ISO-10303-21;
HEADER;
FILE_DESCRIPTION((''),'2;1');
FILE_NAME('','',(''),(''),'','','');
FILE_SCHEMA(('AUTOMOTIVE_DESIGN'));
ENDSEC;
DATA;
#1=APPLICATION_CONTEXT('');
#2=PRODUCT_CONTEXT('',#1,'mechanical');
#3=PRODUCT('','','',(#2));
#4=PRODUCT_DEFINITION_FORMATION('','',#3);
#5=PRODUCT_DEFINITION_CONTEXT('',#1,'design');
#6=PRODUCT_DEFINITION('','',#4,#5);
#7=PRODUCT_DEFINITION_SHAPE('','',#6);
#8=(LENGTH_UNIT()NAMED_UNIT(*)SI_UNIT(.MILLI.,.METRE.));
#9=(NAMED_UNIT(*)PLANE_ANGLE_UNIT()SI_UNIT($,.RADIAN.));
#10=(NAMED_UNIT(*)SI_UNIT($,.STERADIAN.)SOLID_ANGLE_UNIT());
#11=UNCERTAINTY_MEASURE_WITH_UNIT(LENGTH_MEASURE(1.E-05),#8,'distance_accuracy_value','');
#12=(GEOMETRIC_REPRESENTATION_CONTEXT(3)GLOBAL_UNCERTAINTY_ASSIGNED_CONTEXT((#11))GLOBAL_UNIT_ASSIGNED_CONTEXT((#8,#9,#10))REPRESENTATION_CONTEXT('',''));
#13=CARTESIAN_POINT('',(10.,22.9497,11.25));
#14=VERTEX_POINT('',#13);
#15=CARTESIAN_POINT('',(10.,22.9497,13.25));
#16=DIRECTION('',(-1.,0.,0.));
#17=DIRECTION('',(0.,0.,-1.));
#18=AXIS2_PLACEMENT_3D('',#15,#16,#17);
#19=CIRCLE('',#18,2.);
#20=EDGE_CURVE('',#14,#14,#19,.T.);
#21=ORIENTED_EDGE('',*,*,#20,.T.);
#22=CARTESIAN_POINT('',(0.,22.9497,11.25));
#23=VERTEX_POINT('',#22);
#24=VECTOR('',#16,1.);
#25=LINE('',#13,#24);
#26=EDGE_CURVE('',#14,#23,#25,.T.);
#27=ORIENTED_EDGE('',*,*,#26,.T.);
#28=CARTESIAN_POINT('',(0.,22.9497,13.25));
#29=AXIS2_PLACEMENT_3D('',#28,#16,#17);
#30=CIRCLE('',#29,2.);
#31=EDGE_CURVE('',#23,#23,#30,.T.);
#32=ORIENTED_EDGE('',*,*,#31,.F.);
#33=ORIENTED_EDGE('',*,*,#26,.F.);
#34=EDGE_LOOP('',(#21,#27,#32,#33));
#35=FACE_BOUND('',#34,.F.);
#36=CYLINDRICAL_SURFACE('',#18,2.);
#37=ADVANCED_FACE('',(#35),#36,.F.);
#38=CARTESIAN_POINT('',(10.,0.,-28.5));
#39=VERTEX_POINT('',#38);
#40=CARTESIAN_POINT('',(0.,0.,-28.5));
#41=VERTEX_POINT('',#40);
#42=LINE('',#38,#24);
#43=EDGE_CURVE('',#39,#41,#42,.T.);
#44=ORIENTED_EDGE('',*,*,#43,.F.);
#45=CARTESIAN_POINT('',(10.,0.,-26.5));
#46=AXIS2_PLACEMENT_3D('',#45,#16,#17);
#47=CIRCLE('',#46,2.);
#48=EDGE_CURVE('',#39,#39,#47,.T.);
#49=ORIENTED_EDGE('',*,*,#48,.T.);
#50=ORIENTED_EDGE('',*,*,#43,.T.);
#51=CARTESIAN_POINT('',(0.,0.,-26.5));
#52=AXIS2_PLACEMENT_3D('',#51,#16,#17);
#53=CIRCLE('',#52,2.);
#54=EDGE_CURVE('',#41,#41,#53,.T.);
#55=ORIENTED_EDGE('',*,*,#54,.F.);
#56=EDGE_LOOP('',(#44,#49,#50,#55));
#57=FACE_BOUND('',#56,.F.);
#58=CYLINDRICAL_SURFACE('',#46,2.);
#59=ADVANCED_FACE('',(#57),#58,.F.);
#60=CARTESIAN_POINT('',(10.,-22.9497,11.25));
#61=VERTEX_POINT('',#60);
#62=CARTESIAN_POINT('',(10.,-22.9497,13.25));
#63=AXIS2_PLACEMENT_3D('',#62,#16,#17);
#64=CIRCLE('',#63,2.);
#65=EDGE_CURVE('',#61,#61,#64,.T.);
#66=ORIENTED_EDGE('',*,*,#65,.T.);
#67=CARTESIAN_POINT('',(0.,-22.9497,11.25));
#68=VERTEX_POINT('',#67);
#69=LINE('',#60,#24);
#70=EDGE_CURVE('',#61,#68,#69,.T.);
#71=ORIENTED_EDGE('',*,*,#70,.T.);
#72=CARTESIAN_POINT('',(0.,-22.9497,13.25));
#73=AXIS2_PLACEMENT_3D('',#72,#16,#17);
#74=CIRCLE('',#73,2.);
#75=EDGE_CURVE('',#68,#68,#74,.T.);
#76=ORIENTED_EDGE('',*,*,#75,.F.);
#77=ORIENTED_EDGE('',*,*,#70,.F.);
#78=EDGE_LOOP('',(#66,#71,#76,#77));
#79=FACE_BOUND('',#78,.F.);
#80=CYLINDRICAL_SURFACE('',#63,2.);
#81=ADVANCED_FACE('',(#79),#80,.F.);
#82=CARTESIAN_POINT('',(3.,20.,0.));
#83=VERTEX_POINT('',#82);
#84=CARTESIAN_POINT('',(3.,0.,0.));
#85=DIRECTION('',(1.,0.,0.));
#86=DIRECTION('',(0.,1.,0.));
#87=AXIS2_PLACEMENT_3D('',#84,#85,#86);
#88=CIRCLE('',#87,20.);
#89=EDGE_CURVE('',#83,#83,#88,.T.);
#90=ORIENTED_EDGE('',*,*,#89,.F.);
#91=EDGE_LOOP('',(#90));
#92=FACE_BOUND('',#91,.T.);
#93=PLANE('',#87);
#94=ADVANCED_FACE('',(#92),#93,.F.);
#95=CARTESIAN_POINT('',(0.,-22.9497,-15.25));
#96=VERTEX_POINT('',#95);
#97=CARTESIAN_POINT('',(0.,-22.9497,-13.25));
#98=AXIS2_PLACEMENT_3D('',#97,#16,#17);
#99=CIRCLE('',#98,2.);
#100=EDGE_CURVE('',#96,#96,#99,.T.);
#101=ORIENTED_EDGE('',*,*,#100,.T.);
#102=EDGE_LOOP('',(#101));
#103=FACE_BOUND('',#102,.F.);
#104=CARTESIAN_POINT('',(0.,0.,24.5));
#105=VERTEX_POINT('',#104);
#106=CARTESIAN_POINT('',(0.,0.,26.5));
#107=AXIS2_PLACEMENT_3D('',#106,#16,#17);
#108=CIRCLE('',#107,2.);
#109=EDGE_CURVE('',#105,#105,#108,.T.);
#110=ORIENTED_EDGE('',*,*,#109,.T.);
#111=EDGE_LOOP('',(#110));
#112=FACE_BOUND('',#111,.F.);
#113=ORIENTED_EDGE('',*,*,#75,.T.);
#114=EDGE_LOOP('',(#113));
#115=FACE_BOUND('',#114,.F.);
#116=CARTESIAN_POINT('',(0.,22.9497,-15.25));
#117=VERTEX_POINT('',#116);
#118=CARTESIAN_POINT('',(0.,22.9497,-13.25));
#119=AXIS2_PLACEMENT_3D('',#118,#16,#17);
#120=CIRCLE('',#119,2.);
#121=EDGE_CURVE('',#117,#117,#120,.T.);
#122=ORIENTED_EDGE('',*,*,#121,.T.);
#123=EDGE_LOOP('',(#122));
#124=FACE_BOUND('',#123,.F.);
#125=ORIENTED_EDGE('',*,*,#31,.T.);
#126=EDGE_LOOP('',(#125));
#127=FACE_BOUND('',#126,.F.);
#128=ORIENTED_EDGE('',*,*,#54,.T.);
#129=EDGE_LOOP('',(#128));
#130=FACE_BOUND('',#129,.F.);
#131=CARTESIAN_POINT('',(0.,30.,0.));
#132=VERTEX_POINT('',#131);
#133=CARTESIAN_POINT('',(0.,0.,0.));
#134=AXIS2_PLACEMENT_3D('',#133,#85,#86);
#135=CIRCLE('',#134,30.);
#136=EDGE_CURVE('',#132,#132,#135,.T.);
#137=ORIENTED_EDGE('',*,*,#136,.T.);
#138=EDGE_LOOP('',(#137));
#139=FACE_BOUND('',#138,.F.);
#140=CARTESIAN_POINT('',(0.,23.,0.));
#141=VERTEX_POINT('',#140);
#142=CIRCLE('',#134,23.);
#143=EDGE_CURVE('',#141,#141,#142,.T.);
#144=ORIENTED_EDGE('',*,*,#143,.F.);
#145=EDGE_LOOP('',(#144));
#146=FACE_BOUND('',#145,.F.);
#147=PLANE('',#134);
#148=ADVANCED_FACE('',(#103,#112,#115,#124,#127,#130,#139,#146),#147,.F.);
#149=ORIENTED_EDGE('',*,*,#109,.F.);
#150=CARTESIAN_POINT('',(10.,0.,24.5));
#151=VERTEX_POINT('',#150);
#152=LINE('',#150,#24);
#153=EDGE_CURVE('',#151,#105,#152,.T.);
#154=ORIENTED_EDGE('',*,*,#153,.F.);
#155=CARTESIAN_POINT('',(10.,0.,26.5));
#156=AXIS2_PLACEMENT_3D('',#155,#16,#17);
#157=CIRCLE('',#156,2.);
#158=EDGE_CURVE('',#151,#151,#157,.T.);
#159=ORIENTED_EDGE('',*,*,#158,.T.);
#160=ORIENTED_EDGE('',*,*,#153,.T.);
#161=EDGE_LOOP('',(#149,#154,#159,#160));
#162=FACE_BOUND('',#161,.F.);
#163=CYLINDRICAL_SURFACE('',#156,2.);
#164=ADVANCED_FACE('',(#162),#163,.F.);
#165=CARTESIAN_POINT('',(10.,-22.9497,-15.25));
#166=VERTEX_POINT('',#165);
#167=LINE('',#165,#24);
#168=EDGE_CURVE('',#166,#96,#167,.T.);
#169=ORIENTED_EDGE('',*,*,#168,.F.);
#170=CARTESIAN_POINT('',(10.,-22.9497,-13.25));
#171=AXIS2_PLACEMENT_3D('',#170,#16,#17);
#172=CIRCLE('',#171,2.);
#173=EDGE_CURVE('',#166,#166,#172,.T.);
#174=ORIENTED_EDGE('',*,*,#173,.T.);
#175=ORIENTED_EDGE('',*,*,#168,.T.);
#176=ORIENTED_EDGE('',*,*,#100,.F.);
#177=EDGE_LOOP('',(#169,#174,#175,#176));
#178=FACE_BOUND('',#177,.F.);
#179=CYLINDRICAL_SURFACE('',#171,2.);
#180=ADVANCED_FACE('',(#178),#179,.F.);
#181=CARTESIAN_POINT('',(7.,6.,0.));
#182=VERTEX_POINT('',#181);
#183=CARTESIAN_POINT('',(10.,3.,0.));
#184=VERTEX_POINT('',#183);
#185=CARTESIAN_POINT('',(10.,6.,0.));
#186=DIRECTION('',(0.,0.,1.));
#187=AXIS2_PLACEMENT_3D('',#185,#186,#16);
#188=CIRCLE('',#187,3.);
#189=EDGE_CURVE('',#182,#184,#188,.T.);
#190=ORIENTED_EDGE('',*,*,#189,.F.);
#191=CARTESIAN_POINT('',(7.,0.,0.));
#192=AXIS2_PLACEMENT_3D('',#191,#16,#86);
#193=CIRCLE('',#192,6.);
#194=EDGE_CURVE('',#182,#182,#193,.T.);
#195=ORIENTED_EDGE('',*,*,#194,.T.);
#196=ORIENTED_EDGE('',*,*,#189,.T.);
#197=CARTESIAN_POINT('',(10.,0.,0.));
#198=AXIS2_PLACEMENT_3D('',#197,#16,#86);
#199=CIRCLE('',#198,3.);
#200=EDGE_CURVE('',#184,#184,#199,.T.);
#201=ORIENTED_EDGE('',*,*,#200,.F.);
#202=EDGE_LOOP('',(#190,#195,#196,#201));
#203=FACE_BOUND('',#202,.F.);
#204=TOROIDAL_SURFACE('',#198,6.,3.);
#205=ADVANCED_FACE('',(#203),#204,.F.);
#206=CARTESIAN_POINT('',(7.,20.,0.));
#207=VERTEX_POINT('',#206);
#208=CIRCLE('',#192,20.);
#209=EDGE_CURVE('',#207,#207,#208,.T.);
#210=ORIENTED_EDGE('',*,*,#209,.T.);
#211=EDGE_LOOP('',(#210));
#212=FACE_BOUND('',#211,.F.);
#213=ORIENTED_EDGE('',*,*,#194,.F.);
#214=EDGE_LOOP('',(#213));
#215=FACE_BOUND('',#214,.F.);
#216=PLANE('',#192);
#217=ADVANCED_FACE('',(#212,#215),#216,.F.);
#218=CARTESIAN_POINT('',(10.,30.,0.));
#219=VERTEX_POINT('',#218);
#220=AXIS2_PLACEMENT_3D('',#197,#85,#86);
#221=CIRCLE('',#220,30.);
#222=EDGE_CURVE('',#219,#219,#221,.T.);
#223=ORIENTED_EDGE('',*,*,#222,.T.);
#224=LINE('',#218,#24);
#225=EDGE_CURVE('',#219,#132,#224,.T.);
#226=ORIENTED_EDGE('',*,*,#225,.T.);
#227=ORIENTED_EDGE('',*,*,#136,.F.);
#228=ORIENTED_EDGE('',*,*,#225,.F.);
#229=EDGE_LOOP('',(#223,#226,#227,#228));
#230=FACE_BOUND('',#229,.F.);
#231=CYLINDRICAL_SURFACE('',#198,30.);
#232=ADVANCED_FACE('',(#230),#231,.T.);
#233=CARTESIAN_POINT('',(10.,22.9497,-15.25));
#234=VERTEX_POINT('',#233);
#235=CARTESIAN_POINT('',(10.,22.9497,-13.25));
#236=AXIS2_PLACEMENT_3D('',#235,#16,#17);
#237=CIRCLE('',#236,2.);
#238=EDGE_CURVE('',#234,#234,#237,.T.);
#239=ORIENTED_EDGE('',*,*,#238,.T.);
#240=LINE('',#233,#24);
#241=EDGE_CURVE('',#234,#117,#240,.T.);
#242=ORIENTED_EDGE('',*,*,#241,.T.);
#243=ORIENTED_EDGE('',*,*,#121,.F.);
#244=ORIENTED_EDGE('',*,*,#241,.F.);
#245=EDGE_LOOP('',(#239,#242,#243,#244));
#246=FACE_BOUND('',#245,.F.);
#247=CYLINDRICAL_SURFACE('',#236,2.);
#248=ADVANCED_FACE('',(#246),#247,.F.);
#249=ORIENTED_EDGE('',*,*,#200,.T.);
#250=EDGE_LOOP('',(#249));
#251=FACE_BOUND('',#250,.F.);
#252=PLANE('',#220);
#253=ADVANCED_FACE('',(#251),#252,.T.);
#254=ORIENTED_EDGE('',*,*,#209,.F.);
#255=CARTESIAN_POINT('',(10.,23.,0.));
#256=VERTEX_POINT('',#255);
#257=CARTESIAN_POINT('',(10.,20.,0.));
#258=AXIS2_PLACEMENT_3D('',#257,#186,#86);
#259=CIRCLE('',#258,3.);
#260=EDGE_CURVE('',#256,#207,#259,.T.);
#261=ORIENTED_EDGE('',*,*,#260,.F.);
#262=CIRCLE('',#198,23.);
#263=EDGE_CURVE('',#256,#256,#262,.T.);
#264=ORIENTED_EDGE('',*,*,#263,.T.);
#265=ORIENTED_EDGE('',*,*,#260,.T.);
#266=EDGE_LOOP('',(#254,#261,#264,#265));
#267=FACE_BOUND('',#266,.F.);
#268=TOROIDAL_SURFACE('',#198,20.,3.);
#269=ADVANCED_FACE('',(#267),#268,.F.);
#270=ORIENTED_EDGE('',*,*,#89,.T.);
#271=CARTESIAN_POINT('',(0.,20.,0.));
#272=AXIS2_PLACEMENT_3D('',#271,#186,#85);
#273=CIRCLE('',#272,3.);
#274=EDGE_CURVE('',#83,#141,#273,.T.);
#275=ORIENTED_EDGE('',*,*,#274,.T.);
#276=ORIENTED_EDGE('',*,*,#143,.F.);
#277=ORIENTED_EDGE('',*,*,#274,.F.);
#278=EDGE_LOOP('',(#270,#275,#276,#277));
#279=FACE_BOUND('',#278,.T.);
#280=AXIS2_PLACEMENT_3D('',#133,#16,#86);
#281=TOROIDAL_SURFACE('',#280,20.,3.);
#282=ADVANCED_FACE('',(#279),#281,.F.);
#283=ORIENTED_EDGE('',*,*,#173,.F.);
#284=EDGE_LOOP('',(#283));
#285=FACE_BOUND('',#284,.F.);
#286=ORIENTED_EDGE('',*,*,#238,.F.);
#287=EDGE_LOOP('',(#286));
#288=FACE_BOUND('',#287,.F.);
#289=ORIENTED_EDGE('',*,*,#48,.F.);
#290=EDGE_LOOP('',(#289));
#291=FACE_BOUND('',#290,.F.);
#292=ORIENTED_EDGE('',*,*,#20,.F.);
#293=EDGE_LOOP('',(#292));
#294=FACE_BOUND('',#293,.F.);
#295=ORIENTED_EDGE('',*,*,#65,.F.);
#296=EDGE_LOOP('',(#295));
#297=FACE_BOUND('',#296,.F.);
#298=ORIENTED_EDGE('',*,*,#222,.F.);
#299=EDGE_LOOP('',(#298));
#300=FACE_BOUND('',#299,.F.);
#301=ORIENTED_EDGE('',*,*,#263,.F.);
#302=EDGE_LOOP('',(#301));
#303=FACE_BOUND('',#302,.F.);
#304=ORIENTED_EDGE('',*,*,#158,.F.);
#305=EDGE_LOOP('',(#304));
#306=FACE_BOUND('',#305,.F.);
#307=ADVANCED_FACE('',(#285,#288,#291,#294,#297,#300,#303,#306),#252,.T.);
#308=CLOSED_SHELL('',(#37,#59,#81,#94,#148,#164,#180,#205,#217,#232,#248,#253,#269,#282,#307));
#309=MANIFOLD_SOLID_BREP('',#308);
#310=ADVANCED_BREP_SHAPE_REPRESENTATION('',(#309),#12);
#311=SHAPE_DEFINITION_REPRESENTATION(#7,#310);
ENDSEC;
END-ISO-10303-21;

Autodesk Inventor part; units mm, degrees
ref_plane "YZ Plane" through (0, 0, 0) normal (1, 0, 0) x (0, 1, 0)
ref_plane "XZ Plane" through (0, 0, 0) normal (0, 1, 0) x (-1, 0, 0)
ref_plane "XY Plane" through (0, 0, 0) normal (0, 0, 1) x (1, 0, 0)
sketch "Эскиз1" plane through (0, 0, 0) normal (0, 0, 1) x (1, 0, 0)
  line L0 (0, 0) -> (10, 0)
  line L1 (10, 0) -> (10, 30)
  line L2 (10, 30) -> (0, 30)
  line L3 (0, 30) -> (0, 0)
  dimension "d0" = 10
  dimension "d1" = 30
revolve "Вращение1" add sketch "Эскиз1" angle 360 about axis through (0, 0, 0) along (1, 0, 0)
sketch "Эскиз2" plane through (0, 0, 0) normal (0, 0, 1) x (1, 0, 0)
  line L0 (0, 0) -> (10, 0)
  line L1 (10, -30) -> (10, 30) projected
  arc A0 (3, 20) -> (0, 23) centre (0, 20) ccw
  line L2 (3, 20) -> (0, 20) construction
  line L3 (0, 23) -> (0, 20) construction
  line L4 (7, 20) -> (7, 10)
  arc A1 (7, 6) -> (10, 3) centre (10, 6) ccw
  line L5 (7, 6) -> (10, 6) construction
  line L6 (10, 3) -> (10, 6) construction
  arc A2 (10, 23) -> (7, 20) centre (10, 20) ccw
  line L7 (7, 20) -> (10, 20) construction
  line L8 (10, 23) -> (10, 20) construction
  line L9 (7, 10) -> (7, 6)
  line L10 (0, -30) -> (0, 30) projected
  line L11 (0, 0) -> (0, 23)
  line L12 (10, 3) -> (10, 23)
  line L13 (3, 20) -> (3, 0)
  point P0 (10, 3)
  point P1 (10, 23)
  dimension "d4" = 3
  dimension "d5" = 90
  dimension "d6" = 3
  dimension "d7" = 90
  dimension "d8" = 3
  dimension "d9" = 90
  dimension "d10" = 3
  dimension "d12" = 20
  dimension "d14" = 20
revolve "Вращение2" cut sketch "Эскиз2" angle 360 about axis through (0, 0, 0) along (-1, 0, 0) contours A1 L9 L4 A2 L1
sketch "Эскиз3" plane through (10, 0, 0) normal (1, 0, 0) x (0, 0, -1)
  point P0 (0, 0)
  point P1 (26.5, 0)
  point P2 (13.25, 22.9497)
  point P3 (-13.25, 22.9497)
  point P4 (-26.5, 0)
  point P5 (-13.25, -22.9497)
  point P6 (13.25, -22.9497)
  dimension "d15" = 26.5
  dimension "d18" = 360
hole "Отверстие1" at (10, 0, -26.5) at (10, 22.9497, -13.25) at (10, 22.9497, 13.25) at (10, 0, 26.5) at (10, -22.9497, 13.25) at (10, -22.9497, -13.25) direction (-1, 0, 0) diameter 4 end through all
sketch "Эскиз4" plane through (0, 0, 0) normal (0, 0, 1) x (1, 0, 0)
  line L0 (0, 0) -> (10, 0)
  line L1 (10, 2) -> (10, -2) projected
  line L2 (0, 0) -> (3, 0)
  line L3 (3, 0) -> (3, 20)
  line L4 (0, 23) -> (0, 23)
  line L5 (0, 23) -> (0, 0)
  arc A0 (10, 23) -> (7, 20) centre (10, 20) ccw construction
  arc A1 (3, 20) -> (0, 23) centre (0, 20) ccw
  dimension "d29" = 3
revolve "Вращение3" cut sketch "Эскиз4" angle 360 about axis through (0, 0, 0) along (1, 0, 0)
equation "\"d25\" = d15"
properties part number "711126 (Доделать)"
